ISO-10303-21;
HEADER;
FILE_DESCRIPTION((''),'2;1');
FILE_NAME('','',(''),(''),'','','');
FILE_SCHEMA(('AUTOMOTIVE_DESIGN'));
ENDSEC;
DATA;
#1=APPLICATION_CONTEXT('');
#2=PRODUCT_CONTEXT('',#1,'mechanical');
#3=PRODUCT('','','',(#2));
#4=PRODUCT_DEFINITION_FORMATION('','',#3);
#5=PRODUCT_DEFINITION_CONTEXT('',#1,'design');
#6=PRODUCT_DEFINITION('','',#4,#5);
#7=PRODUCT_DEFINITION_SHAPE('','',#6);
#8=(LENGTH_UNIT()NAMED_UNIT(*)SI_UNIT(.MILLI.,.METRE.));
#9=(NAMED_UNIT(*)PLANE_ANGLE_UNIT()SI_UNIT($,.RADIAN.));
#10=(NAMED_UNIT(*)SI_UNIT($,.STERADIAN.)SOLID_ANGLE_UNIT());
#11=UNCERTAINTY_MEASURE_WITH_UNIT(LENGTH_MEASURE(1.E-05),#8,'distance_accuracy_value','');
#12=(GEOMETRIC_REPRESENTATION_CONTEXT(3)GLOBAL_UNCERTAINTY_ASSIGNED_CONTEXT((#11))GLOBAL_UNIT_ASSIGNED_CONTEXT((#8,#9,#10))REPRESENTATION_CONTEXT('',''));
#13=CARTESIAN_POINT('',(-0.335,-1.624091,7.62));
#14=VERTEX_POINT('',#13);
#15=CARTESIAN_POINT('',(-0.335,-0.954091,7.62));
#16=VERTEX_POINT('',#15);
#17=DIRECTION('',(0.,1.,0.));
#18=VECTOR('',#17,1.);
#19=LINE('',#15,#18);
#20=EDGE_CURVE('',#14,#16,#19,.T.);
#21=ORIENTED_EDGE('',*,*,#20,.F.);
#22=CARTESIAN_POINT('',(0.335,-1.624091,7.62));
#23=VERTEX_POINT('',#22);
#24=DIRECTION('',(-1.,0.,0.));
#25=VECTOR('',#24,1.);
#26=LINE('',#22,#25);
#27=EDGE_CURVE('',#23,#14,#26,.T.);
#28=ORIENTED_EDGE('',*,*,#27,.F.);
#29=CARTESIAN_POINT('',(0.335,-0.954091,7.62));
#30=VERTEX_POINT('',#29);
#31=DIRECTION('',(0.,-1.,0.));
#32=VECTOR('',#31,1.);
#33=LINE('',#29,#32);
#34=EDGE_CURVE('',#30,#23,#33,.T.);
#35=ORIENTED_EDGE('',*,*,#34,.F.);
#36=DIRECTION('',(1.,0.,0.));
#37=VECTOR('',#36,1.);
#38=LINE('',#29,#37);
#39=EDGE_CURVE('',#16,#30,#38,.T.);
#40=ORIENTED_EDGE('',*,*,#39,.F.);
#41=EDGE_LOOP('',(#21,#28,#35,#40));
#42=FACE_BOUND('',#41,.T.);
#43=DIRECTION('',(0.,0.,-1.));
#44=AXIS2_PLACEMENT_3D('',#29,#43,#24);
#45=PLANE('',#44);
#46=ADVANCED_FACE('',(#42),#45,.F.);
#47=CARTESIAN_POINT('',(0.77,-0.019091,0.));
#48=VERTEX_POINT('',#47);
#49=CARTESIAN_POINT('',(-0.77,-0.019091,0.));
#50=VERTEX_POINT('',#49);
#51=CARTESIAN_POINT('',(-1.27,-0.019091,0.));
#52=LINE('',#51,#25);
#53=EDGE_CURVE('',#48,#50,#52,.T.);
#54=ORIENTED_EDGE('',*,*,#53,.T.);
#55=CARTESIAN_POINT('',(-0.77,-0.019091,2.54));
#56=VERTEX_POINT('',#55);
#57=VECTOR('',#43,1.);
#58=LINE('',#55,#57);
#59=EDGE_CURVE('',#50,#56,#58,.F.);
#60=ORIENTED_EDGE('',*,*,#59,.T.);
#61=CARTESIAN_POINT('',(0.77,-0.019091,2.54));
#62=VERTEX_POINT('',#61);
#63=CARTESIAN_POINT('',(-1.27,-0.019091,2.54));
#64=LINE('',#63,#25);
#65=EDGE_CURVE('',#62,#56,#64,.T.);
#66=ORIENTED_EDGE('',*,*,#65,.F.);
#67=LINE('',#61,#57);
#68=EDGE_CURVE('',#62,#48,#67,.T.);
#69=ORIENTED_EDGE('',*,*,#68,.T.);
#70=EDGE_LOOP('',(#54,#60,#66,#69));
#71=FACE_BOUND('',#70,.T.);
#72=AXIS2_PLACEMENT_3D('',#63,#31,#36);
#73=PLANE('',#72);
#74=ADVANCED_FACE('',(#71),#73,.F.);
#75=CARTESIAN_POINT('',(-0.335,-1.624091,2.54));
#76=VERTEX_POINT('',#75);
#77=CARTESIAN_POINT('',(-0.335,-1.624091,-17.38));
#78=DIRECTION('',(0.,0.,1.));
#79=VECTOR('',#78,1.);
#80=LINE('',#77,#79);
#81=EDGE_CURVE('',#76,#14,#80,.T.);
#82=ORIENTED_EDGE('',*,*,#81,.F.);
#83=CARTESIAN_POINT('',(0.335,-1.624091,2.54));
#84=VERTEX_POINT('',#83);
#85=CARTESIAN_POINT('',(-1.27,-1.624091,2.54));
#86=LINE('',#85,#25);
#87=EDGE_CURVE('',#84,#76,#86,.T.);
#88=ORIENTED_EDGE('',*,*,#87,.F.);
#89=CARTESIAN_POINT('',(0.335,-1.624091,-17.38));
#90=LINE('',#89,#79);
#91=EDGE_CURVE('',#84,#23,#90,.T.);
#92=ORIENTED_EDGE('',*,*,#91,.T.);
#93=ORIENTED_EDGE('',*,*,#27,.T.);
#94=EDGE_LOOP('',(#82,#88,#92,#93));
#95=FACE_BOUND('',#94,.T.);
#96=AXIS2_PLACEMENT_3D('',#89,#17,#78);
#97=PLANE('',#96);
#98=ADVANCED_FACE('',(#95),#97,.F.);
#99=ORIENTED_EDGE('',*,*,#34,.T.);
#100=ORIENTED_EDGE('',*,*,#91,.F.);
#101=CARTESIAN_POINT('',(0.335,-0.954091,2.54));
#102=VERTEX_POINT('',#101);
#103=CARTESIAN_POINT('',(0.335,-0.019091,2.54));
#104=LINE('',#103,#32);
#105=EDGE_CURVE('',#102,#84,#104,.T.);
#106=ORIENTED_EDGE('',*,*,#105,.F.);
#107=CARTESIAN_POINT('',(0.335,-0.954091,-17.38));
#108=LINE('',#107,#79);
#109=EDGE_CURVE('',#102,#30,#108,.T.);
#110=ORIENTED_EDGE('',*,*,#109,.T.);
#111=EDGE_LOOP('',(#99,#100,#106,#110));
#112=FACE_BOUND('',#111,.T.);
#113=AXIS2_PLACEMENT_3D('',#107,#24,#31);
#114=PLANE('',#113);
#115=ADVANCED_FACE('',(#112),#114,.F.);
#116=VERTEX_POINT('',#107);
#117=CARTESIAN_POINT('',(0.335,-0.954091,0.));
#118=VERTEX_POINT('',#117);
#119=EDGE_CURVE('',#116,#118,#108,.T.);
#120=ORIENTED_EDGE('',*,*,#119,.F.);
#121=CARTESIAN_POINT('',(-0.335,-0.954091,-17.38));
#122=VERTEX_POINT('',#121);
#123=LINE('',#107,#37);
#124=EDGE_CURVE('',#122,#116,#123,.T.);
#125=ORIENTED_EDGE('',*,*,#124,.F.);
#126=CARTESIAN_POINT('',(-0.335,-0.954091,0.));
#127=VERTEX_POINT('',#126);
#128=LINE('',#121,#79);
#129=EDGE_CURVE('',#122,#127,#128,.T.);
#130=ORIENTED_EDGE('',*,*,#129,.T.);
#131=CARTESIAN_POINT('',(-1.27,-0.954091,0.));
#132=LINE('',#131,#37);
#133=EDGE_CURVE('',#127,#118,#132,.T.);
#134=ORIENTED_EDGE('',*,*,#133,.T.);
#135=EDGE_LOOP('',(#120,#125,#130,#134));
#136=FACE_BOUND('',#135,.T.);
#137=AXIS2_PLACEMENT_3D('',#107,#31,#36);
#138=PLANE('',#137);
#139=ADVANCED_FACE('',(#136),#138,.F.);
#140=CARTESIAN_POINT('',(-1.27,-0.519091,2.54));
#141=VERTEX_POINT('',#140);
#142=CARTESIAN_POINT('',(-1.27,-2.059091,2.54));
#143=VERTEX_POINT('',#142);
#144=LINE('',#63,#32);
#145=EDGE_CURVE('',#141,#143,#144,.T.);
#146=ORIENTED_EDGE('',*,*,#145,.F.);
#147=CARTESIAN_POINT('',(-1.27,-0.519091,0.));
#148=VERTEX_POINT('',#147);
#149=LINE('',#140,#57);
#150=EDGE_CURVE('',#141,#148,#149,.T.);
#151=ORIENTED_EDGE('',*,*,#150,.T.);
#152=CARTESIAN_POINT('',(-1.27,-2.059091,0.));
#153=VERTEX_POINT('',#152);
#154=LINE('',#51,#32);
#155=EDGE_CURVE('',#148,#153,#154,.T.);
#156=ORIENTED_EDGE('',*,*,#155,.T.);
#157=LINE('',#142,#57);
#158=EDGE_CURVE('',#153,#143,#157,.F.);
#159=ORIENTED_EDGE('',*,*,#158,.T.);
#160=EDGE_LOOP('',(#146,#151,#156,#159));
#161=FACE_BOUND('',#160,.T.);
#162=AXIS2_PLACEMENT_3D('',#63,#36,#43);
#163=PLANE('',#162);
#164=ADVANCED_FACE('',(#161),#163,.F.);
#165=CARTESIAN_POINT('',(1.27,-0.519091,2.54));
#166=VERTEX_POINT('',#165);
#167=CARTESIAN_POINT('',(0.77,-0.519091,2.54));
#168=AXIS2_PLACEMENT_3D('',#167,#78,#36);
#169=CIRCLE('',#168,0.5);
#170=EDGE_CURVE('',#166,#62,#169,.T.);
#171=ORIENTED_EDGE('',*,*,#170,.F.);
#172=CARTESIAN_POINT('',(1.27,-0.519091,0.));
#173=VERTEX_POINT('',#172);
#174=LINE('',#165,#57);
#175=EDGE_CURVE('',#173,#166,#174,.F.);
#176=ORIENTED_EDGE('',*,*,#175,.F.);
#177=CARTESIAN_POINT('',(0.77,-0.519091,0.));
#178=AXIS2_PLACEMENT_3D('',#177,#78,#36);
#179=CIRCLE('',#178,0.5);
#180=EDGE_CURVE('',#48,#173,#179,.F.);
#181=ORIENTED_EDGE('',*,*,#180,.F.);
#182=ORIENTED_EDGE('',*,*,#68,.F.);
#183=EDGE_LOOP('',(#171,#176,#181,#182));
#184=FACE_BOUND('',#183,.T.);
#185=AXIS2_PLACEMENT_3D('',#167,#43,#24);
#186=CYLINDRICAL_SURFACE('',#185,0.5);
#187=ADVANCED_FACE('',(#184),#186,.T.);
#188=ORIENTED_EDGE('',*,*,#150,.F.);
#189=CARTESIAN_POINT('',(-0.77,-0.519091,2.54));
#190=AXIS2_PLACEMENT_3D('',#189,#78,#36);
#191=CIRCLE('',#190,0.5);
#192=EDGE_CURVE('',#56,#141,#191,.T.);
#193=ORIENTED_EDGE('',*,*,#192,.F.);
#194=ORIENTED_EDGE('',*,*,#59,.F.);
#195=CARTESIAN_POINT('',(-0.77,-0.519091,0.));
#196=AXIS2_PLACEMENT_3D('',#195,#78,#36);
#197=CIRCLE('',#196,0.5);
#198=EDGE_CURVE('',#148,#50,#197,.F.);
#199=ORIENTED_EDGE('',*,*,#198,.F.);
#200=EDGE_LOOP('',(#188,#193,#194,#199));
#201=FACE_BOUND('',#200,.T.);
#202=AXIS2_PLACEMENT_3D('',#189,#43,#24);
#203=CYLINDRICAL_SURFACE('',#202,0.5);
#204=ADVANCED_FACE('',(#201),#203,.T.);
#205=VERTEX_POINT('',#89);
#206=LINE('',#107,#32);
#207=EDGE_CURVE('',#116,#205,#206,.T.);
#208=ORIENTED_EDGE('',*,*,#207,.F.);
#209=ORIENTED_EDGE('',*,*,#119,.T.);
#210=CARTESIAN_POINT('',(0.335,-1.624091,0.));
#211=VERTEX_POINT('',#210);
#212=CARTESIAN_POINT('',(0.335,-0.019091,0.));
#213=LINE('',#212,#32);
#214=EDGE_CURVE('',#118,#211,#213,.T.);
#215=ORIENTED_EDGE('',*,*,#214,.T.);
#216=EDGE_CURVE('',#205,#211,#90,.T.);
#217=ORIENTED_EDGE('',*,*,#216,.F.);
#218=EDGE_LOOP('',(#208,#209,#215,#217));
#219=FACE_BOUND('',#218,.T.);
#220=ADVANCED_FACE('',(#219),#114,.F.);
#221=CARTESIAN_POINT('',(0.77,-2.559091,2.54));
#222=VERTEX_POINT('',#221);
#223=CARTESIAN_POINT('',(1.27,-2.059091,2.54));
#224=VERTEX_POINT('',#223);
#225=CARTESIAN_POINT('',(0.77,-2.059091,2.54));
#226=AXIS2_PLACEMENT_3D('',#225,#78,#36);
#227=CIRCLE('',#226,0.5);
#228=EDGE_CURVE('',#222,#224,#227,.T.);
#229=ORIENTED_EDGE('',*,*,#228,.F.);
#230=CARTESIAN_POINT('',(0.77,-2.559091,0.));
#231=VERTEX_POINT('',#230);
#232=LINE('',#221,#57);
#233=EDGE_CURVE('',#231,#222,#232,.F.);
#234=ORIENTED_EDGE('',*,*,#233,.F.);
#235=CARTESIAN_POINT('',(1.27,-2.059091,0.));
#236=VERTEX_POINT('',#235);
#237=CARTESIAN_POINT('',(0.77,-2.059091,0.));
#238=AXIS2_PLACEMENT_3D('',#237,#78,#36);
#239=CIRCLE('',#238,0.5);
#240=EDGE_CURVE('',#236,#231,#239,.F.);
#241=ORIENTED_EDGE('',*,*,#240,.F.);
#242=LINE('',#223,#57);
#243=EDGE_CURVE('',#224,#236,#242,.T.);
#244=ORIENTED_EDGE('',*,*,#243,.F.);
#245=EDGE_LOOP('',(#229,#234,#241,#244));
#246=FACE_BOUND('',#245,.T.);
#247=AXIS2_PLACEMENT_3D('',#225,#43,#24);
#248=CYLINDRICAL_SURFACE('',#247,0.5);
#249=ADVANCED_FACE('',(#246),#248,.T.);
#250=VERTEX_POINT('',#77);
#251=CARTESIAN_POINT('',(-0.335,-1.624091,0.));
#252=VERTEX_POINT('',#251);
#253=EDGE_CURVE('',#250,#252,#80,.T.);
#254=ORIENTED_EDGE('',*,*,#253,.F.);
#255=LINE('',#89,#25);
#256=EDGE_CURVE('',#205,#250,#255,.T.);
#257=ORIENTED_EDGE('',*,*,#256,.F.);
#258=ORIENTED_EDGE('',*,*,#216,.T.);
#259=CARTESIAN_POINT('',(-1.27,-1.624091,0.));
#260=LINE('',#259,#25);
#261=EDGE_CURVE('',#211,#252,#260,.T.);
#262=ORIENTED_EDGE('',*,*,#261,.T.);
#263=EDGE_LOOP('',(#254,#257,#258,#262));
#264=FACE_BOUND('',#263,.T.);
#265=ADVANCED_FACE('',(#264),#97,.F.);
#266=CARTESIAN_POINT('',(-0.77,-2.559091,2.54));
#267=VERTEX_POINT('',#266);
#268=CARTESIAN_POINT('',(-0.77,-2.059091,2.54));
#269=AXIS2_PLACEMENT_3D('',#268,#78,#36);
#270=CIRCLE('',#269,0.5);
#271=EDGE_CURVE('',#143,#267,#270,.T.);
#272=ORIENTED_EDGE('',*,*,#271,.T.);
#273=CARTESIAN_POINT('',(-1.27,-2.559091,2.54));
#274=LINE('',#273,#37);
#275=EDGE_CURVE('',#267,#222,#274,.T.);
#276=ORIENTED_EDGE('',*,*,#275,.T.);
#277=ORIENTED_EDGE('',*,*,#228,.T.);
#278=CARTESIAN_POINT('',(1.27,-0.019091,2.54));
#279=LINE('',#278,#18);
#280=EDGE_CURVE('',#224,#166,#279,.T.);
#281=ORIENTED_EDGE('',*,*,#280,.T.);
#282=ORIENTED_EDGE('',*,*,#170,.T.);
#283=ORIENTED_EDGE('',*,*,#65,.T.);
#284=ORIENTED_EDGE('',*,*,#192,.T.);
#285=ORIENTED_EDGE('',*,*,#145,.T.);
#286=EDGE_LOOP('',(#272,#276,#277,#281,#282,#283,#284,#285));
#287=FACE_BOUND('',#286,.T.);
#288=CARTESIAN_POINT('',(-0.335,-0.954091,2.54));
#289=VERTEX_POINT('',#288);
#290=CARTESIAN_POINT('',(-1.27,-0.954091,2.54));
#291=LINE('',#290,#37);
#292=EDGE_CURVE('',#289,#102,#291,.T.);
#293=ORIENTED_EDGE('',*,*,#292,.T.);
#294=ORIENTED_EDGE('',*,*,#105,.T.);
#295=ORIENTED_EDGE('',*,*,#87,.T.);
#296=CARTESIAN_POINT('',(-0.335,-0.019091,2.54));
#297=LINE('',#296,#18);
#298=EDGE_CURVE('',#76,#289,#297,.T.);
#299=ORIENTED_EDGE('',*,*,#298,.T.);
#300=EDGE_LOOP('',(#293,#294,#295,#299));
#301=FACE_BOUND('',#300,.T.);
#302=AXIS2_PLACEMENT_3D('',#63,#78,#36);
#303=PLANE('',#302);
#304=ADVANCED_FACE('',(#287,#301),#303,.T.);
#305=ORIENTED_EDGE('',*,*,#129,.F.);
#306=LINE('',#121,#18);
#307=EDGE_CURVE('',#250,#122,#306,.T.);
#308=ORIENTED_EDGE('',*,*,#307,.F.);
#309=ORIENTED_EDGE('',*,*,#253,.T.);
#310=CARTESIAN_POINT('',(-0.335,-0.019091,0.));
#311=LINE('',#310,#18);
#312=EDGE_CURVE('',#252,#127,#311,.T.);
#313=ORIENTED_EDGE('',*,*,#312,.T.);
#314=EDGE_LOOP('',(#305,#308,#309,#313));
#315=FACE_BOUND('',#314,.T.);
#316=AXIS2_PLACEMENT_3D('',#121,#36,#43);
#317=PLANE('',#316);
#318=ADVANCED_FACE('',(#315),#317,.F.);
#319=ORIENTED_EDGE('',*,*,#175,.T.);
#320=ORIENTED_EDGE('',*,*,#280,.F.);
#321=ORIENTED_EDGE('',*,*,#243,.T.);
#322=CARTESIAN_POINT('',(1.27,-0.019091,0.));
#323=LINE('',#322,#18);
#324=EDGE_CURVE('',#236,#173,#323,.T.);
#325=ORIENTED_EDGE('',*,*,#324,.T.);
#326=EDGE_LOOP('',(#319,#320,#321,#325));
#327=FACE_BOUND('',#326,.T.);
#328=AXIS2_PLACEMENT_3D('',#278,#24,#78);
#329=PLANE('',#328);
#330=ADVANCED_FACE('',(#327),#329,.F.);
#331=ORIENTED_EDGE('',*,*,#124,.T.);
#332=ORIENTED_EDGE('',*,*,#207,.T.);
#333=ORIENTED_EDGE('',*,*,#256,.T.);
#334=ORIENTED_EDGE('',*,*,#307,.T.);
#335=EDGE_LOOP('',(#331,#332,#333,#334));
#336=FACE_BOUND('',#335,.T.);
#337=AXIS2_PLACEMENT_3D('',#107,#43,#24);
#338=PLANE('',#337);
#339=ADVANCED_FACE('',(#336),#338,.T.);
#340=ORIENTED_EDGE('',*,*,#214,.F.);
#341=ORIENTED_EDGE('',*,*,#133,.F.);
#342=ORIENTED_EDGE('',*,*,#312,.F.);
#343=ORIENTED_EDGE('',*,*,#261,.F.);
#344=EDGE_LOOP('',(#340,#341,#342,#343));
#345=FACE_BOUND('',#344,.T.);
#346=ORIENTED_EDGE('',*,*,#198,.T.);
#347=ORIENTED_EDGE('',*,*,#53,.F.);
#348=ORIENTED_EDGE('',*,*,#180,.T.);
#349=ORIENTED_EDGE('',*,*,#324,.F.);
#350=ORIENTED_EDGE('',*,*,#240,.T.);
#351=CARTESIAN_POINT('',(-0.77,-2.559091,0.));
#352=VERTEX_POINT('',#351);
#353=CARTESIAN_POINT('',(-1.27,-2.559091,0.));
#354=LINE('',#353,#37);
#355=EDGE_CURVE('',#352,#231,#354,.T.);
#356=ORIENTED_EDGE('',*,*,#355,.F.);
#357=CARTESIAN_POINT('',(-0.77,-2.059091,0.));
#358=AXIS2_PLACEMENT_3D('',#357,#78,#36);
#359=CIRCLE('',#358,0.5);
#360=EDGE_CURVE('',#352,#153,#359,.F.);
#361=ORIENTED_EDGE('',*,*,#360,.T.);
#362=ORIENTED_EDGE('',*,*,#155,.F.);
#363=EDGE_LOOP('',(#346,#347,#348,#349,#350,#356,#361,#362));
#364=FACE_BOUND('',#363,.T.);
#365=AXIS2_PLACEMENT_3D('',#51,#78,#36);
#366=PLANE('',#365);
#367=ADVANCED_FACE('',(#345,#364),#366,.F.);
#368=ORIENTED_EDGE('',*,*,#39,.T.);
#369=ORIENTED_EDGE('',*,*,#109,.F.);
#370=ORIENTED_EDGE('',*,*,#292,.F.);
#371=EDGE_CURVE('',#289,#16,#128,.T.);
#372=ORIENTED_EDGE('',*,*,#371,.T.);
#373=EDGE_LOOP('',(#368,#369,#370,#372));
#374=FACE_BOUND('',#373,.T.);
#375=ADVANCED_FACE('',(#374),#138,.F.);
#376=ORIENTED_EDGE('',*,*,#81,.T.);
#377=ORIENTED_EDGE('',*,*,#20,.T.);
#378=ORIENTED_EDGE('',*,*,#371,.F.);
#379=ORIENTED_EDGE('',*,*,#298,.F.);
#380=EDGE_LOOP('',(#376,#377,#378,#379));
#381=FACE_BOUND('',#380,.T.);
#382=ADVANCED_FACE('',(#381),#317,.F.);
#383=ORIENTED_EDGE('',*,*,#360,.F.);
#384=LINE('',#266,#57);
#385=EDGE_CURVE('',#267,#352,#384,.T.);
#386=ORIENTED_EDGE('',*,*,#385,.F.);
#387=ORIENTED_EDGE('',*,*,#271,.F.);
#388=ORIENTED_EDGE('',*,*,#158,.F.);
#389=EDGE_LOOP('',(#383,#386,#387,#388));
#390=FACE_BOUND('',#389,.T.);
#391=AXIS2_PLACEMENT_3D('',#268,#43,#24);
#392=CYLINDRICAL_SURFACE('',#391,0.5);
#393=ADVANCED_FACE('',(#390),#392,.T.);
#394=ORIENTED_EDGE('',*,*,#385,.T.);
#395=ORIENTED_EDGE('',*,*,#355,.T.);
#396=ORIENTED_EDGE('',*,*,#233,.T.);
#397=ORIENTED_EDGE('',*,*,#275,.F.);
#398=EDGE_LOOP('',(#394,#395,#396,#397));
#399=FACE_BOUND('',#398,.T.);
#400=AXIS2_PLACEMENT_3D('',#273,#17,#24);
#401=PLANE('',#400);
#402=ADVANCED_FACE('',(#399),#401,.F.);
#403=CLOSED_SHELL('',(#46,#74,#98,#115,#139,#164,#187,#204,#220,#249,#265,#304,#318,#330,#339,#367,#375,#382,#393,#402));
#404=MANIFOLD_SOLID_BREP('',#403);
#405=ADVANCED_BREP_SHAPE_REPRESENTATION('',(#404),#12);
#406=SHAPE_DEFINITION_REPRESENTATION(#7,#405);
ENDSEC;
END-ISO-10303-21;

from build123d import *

# Parameters (mm, degrees)
SKETCH_1_W      = 2.54
SKETCH_1_H      = 2.54
EXTRUDE_1_DEPTH = 2.54
SKETCH_2_W      = 0.67
SKETCH_2_H      = 0.67
FILLET_1_R      = 0.5


with BuildPart() as part:
    # 草图1 → 拉伸1 (new body)
    with BuildSketch(Plane.XY):
        with Locations((0, -1.289090726)):
            Rectangle(SKETCH_1_W, SKETCH_1_H)
    extrude(amount=EXTRUDE_1_DEPTH)

    # 扫描1: sweep along a path in 草图3
    with BuildLine(Plane(origin=(0, 0, 0), x_dir=(0, 0, -1), z_dir=(1, 0, 0))) as sweep_1_path:
        Line((17.38, -1.299090726), (-7.62, -1.299090726))
    # 草图2 → 扫描1 (sweep)
    with BuildSketch(Plane(origin=(0, 0, 7.62), x_dir=(-1, 0, 0), z_dir=(0, 0, -1))):
        with Locations((0, -1.289090726)):
            Rectangle(SKETCH_2_W, SKETCH_2_H)
    sweep(path=sweep_1_path.line)

    # 圆角1
    fillet_1_edges = [part.edges().sort_by_distance(p)[0] for p in [
        (-1.27, -0.019090726, 1.27),
        (1.27, -0.019090726, 1.27),
        (1.27, -2.559090726, 1.27),
        (-1.27, -2.559090726, 1.27),
    ]]
    fillet(fillet_1_edges, radius=FILLET_1_R)


solid = part.part
